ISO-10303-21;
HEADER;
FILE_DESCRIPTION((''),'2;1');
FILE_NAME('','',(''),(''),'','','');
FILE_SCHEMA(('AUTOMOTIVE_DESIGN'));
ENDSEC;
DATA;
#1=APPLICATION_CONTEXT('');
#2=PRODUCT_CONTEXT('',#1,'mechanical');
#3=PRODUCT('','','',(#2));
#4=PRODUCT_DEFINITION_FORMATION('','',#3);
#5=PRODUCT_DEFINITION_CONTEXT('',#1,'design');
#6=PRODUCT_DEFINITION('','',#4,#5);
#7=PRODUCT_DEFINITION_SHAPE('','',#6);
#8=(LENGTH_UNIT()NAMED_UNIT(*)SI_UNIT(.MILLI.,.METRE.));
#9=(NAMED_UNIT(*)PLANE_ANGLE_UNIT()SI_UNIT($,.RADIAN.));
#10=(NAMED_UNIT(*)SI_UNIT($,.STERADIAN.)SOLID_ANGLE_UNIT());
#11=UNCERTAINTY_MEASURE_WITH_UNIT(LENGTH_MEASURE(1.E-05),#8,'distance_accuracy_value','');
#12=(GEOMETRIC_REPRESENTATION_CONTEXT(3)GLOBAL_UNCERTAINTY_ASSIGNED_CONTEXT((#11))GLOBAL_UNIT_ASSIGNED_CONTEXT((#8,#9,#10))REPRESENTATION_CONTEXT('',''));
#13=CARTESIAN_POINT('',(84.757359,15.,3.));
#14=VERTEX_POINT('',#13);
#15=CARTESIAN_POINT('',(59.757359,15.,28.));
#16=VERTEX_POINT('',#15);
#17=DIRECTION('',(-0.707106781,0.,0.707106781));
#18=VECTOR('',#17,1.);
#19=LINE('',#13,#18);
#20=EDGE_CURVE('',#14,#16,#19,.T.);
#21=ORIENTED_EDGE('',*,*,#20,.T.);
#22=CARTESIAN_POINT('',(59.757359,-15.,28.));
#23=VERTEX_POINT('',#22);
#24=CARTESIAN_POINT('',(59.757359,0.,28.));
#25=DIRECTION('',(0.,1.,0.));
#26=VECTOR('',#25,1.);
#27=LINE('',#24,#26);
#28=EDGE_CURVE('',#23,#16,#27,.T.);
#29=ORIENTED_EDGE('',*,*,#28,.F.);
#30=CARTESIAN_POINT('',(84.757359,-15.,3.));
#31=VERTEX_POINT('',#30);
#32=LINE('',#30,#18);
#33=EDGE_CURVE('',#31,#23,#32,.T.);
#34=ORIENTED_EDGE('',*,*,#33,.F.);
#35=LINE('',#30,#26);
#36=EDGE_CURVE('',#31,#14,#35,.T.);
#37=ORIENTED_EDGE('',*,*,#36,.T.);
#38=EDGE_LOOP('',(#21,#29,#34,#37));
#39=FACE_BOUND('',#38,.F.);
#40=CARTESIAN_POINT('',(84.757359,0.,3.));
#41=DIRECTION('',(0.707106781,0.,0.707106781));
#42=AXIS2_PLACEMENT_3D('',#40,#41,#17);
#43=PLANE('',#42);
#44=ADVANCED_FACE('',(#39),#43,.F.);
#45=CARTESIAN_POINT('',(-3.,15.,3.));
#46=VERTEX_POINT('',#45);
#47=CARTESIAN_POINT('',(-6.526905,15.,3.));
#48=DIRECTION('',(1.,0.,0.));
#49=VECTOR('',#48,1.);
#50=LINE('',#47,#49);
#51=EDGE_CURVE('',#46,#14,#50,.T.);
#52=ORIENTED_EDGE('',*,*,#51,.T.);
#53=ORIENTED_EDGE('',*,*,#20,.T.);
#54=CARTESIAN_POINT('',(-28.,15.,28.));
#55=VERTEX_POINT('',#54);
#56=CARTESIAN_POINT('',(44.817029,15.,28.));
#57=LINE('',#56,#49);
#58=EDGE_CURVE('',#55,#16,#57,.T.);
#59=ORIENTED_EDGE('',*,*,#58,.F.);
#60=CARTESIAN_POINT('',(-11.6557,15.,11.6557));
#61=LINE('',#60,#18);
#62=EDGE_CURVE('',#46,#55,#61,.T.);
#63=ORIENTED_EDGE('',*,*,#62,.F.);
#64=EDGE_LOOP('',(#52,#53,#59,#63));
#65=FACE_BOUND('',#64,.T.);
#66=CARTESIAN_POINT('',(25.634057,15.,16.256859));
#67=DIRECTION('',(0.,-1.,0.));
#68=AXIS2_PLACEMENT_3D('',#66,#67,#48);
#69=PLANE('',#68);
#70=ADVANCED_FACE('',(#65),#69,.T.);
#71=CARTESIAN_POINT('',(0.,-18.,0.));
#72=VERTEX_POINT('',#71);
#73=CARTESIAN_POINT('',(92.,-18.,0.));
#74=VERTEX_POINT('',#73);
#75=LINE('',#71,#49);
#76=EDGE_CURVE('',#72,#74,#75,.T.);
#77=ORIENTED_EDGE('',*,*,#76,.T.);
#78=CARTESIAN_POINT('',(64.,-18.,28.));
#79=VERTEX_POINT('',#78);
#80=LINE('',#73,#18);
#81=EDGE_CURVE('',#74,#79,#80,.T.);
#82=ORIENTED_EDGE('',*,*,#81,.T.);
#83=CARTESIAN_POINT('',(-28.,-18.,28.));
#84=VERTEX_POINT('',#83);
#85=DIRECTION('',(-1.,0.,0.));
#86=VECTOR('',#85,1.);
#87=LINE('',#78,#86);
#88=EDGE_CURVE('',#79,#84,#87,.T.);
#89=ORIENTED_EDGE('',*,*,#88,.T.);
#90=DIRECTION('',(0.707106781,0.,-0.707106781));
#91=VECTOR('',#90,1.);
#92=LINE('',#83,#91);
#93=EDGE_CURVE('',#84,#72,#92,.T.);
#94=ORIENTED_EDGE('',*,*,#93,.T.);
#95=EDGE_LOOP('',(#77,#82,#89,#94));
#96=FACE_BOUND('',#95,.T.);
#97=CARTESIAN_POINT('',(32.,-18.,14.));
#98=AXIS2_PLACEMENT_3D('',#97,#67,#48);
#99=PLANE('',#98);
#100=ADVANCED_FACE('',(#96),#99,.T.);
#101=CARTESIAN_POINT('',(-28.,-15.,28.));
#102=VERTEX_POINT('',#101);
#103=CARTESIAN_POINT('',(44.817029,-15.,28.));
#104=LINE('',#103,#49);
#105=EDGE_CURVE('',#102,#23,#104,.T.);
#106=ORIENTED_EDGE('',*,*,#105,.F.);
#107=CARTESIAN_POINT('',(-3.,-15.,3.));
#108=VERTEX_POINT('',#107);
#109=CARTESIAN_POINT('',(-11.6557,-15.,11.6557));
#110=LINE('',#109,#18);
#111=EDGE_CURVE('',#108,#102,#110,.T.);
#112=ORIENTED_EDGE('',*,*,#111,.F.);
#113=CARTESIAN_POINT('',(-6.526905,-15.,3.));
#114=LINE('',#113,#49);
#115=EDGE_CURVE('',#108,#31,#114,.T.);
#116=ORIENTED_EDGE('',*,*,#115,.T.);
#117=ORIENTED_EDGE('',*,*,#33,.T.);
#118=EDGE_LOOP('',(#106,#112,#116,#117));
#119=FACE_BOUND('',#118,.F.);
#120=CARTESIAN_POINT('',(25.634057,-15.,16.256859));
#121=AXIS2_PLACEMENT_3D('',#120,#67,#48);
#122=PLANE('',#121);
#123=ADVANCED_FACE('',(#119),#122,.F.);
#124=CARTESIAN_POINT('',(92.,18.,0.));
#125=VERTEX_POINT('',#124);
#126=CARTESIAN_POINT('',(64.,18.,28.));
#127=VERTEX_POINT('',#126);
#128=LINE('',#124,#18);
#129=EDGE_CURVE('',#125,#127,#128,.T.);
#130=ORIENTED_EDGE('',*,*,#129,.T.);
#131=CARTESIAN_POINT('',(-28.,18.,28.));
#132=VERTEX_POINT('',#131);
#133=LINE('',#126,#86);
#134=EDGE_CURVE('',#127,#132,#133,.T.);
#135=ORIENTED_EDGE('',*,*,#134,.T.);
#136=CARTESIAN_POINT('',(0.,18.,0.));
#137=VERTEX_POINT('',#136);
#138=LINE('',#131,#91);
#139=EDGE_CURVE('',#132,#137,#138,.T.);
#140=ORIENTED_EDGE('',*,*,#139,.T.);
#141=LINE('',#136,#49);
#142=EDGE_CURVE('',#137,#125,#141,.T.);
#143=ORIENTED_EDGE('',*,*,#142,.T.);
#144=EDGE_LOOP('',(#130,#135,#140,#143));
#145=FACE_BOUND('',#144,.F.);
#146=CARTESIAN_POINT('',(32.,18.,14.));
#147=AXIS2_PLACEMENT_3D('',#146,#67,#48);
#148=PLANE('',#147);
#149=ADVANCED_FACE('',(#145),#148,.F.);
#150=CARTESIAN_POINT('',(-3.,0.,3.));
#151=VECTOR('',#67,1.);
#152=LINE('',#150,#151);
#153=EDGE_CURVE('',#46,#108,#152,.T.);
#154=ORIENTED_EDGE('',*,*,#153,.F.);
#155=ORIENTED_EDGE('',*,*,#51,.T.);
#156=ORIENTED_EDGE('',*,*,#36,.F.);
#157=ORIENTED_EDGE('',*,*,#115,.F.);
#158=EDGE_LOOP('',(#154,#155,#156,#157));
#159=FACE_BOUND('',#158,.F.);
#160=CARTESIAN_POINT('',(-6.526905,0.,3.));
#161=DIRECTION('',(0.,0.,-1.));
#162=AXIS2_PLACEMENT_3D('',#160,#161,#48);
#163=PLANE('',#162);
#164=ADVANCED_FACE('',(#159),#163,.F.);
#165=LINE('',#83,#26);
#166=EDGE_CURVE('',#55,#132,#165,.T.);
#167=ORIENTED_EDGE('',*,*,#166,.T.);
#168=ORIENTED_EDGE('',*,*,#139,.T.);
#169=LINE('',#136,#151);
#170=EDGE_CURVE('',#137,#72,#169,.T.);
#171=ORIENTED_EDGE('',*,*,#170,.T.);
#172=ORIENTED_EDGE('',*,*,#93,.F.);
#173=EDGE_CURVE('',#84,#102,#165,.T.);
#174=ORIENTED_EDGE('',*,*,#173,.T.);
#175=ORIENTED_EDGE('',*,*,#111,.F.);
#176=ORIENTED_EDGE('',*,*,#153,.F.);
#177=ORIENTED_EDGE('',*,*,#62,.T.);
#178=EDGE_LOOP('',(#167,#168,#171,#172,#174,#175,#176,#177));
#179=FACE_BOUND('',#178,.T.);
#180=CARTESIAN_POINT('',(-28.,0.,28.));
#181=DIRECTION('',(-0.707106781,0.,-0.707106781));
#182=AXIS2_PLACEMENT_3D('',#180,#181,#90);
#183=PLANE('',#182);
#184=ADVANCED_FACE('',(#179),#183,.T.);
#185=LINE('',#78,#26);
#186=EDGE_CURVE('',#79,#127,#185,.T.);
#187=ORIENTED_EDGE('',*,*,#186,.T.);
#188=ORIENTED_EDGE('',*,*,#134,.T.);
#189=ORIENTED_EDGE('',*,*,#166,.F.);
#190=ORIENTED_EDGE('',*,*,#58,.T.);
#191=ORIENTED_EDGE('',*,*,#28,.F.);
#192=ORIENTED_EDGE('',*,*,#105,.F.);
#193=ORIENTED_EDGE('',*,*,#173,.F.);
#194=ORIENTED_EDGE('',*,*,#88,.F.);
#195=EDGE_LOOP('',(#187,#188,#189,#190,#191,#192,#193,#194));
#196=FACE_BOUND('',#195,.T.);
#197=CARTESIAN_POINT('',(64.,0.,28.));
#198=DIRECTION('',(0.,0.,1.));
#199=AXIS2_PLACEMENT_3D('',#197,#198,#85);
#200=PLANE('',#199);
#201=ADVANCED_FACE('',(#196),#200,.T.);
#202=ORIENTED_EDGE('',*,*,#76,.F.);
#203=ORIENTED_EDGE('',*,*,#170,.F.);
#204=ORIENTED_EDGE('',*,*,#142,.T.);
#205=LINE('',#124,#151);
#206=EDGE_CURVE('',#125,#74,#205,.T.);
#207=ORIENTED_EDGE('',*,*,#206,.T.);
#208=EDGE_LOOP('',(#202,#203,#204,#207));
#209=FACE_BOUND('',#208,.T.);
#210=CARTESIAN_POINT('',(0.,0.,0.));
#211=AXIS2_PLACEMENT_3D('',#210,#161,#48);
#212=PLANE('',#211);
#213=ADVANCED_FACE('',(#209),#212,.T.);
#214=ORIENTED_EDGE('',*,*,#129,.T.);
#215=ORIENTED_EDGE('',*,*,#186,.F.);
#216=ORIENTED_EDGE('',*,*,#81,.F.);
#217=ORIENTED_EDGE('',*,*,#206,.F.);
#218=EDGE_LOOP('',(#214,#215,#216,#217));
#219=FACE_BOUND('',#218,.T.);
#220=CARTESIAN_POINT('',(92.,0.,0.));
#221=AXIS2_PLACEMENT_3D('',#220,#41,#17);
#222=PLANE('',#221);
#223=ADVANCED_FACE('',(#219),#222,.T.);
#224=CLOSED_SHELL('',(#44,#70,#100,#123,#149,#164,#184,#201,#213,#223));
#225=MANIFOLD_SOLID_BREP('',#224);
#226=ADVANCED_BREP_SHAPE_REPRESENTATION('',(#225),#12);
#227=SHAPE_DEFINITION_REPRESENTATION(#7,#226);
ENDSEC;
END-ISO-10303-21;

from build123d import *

# Parameters (mm, degrees)
F1_DEPTH = 18
F3_DEPTH = 15


with BuildPart() as f1:
    # F0 (on Front) → F1 (new body, symmetric)
    with BuildSketch(Plane.XZ):
        Polygon((-28, 28), (0, 0), (92, 0), (64, 28), align=None)
    extrude(amount=F1_DEPTH, both=True)

    # F2 (on Front) → F3 (cut, symmetric)
    with BuildSketch(Plane.XZ):
        Polygon((84.757359, 3), (58.344888, 29.412471), (-33.560295, 29.487692), (-6.526905, 3), align=None)
    extrude(amount=F3_DEPTH, both=True, mode=Mode.SUBTRACT)


solid = f1.part
